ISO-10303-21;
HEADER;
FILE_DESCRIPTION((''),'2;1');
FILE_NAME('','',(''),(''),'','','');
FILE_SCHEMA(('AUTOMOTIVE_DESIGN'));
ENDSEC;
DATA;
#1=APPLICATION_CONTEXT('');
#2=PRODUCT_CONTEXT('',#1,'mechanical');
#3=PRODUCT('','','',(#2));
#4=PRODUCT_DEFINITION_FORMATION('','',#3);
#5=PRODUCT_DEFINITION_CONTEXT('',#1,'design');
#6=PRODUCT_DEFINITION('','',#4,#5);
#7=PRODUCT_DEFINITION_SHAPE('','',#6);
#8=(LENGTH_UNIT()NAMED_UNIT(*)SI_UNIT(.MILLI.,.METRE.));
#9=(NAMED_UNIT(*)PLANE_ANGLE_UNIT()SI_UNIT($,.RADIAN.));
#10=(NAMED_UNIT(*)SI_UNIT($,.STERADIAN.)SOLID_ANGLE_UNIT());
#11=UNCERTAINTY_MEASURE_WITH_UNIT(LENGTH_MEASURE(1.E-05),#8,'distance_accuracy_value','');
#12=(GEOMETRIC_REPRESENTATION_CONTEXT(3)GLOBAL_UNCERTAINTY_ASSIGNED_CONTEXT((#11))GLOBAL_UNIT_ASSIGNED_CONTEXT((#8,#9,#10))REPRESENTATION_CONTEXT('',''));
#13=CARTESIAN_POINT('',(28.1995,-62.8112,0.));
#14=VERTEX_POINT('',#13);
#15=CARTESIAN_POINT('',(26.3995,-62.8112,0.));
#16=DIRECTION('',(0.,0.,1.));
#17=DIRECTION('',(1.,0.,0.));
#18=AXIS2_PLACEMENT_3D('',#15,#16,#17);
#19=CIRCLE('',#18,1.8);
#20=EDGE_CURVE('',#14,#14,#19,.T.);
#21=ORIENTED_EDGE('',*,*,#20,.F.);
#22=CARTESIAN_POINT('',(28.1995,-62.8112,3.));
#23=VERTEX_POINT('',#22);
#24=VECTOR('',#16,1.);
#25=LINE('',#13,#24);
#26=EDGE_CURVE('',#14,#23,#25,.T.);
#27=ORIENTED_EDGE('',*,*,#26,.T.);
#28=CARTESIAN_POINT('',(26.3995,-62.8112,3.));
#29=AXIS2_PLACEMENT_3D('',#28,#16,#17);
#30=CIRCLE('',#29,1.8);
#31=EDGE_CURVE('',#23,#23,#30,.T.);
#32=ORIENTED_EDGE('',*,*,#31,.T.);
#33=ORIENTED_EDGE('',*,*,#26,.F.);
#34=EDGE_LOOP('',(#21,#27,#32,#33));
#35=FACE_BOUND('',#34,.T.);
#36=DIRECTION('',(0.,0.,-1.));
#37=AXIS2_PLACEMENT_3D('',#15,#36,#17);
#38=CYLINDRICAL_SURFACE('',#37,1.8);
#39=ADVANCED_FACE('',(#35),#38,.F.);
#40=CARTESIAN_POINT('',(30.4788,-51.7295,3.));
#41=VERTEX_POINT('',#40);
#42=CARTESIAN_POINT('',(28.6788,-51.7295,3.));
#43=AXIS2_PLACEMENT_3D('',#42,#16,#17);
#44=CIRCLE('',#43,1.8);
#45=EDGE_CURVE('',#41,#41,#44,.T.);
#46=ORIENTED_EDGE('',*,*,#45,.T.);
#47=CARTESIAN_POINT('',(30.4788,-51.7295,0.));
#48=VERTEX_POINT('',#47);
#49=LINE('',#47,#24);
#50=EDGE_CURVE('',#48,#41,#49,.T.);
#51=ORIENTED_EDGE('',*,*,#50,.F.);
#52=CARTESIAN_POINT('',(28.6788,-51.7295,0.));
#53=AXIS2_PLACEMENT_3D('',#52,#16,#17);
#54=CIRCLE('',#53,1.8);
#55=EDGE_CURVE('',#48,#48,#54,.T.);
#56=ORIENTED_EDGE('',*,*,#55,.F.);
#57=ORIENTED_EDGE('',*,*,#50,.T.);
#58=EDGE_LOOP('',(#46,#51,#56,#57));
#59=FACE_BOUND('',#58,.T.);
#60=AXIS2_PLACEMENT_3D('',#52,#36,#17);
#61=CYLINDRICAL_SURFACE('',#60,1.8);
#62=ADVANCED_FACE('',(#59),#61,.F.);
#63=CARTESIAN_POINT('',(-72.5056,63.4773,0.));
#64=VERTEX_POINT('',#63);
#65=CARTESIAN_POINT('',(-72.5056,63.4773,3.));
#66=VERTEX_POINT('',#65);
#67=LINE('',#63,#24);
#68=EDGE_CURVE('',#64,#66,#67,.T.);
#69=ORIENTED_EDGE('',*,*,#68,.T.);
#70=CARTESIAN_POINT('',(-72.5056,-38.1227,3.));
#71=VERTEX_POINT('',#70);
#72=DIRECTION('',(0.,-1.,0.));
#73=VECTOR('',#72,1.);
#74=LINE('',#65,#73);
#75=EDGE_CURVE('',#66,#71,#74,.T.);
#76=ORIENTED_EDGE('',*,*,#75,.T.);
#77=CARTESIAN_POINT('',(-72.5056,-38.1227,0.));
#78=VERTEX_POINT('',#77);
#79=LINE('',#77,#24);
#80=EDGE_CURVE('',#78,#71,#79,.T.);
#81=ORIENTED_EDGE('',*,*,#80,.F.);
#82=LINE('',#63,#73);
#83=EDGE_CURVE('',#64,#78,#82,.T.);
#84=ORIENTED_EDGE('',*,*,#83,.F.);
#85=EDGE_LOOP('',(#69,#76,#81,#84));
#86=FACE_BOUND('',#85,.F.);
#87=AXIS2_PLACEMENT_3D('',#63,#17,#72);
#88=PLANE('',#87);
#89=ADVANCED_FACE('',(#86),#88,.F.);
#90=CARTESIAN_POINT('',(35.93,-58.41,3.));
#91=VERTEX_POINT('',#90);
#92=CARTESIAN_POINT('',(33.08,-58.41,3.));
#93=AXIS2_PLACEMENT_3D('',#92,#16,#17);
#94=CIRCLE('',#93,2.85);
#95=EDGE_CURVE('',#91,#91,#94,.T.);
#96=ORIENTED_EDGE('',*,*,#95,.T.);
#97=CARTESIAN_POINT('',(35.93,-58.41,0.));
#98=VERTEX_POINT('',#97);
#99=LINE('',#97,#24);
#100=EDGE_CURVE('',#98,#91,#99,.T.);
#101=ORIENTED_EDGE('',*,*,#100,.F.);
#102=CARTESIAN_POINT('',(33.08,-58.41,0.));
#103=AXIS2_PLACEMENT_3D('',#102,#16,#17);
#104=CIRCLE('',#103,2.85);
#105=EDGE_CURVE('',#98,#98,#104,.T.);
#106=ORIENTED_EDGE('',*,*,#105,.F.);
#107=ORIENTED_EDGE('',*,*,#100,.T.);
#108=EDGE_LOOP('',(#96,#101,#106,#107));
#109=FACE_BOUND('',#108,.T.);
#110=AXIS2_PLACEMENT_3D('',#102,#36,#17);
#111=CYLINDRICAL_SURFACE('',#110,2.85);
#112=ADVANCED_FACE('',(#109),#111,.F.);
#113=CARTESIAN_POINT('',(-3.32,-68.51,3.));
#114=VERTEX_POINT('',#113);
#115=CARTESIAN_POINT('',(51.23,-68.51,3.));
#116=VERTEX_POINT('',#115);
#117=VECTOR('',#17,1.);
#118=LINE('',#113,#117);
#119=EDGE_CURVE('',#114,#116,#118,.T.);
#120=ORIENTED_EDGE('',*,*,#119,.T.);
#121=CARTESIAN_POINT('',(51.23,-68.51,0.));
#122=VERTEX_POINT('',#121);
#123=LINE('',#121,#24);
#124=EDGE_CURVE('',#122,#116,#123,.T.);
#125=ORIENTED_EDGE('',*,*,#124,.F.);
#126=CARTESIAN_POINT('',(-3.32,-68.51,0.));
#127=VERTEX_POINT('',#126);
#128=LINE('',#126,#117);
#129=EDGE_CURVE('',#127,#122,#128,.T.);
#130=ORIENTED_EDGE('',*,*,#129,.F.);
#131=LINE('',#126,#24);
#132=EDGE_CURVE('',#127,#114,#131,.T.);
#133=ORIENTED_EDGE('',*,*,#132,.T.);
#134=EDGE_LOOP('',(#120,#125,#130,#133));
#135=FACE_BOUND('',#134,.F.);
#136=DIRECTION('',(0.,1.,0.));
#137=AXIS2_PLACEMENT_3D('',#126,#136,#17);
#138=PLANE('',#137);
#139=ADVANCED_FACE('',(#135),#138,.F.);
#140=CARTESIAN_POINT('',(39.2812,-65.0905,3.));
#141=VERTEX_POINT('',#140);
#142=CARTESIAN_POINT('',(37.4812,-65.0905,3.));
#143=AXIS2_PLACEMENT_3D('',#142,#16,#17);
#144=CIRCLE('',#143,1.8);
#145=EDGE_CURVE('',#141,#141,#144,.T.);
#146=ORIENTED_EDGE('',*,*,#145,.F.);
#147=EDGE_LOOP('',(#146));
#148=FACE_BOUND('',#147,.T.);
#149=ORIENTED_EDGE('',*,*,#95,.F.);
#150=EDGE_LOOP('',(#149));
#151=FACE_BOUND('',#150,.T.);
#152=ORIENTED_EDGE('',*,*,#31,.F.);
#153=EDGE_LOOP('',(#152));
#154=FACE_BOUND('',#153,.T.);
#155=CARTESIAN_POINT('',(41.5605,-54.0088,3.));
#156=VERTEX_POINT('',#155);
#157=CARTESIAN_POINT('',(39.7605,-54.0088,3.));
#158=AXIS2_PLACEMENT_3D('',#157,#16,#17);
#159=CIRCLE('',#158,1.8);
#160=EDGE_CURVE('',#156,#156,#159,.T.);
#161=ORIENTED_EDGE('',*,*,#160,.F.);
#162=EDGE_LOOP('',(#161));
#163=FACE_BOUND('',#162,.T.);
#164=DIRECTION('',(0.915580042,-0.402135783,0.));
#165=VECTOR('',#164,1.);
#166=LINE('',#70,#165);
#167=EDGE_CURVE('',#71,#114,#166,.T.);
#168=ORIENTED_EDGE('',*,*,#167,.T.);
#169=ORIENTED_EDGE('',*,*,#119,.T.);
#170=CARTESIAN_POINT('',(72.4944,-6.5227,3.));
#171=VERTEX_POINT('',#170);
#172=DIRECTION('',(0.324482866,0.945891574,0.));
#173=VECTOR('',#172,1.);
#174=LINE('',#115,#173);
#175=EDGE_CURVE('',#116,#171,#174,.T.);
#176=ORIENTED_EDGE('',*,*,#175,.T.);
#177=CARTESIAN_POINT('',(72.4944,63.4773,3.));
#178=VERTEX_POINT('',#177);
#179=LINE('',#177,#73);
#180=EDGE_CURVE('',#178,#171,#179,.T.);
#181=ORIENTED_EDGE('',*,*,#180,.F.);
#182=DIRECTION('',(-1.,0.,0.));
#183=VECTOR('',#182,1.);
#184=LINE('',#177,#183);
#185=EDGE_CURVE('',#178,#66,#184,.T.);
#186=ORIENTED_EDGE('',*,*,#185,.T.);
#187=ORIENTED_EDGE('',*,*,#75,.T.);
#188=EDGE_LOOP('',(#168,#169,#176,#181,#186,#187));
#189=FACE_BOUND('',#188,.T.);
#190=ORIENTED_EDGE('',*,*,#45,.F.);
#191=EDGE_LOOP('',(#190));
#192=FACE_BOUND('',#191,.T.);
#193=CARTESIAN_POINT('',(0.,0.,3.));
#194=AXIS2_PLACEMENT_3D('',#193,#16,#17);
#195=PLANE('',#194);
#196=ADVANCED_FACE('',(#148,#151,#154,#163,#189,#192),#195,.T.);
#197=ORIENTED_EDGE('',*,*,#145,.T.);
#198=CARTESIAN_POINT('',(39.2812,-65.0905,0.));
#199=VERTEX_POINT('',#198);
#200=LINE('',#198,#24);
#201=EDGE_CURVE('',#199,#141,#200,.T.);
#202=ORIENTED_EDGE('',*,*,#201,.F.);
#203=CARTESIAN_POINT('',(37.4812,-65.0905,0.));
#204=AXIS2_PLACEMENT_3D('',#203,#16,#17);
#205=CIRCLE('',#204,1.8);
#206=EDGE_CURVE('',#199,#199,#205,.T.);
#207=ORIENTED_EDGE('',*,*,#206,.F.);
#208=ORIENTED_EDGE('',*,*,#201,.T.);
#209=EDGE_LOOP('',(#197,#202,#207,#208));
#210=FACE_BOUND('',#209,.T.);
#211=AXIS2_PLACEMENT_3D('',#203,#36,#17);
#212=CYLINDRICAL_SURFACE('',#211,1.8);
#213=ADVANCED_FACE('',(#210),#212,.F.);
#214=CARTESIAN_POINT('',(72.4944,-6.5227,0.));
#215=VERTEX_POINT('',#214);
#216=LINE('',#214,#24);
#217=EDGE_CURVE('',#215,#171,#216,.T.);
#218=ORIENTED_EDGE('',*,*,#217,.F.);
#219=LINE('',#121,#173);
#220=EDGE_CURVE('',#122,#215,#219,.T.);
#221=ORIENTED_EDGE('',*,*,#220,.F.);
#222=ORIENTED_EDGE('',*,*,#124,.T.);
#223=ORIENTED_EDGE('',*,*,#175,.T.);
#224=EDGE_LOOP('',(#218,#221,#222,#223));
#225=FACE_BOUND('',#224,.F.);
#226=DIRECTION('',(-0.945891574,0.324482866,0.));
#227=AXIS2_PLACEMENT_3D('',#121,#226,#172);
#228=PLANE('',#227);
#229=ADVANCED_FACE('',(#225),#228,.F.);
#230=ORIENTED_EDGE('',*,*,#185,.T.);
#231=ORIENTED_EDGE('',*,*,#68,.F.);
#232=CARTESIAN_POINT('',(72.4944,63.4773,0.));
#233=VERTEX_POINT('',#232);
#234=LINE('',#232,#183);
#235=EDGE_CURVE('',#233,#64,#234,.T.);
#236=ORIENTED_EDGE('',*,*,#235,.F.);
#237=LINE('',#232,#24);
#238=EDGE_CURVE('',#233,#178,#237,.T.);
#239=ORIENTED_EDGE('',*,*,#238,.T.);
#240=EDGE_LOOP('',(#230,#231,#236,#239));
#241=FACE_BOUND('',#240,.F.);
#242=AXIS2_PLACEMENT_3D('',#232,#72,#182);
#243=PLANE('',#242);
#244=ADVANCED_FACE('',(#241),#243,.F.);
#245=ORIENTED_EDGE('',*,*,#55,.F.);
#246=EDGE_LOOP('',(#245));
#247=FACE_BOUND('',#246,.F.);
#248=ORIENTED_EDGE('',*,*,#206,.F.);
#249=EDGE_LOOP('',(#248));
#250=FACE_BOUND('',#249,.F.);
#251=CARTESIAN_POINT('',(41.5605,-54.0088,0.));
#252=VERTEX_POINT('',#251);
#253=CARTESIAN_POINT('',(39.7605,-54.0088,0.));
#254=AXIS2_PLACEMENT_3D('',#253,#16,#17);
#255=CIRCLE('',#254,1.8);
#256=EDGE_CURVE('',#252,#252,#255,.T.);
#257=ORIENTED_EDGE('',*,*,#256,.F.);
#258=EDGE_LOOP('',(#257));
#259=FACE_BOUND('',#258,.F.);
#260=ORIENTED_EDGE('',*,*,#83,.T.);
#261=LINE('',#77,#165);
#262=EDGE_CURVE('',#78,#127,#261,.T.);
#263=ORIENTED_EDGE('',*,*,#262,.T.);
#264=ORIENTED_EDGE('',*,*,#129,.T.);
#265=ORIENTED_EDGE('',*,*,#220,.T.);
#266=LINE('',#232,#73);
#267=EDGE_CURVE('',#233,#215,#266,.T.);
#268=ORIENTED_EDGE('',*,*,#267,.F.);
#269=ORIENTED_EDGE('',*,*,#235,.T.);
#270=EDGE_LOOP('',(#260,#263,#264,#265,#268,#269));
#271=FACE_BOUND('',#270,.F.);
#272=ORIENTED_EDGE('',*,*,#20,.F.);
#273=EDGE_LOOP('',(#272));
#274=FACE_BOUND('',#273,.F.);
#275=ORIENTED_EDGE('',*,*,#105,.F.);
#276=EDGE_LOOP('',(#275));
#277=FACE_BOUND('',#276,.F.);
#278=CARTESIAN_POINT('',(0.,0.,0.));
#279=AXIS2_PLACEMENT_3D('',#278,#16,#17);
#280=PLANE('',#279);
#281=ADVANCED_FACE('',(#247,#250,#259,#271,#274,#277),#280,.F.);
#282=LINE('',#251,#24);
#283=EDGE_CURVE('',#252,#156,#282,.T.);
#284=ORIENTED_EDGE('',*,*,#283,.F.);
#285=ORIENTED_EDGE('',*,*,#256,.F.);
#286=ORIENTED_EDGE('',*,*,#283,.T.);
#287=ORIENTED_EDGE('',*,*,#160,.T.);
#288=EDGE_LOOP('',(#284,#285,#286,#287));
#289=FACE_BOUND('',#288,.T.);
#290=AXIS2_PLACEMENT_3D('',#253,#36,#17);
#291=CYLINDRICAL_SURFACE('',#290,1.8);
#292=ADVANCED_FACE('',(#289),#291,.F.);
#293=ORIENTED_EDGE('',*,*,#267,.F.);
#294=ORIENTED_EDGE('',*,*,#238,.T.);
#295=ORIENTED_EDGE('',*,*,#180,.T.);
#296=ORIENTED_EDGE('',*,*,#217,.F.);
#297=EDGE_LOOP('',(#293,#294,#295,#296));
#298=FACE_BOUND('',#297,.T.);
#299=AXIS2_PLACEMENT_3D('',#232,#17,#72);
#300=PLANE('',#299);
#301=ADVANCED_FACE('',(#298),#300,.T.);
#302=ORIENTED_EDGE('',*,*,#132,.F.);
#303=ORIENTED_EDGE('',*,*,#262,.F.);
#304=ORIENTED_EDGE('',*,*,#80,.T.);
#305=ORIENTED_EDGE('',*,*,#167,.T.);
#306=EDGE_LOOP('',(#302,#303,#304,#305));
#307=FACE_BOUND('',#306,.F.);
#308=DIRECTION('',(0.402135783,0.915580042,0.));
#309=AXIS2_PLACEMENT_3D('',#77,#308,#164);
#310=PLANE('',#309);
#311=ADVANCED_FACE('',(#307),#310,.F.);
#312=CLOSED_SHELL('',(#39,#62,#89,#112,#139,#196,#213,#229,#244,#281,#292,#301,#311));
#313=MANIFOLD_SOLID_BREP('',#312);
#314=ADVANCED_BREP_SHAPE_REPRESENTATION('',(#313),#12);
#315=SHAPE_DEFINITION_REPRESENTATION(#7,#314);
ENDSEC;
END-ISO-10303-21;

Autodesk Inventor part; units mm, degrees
ref_plane "YZ Plane" through (0, 0, 0) normal (1, 0, 0) x (0, 1, 0)
ref_plane "XZ Plane" through (0, 0, 0) normal (0, 1, 0) x (-1, 0, 0)
ref_plane "XY Plane" through (0, 0, 0) normal (0, 0, 1) x (1, 0, 0)
sketch "Sketch1" plane through (0, 0, 0) normal (0, 0, 1) x (1, 0, 0)
  line L0 (72.4944, 63.4773) -> (-72.5056, 63.4773)
  line L1 (72.4944, 63.4773) -> (-72.5232, -63.5025) construction
  line L2 (-72.5056, 63.4773) -> (72.5218, -63.4915) construction
  circle A0 centre (33.08, -58.41) radius 2.85 projected
  line L3 (-72.5056, -38.1227) -> (-3.32, -68.51)
  line L4 (-72.5056, 63.4773) -> (-72.5056, -38.1227)
  line L5 (72.4944, 63.4773) -> (72.4944, -6.5227)
  line L6 (51.23, -68.51) -> (72.4944, -6.5227)
  line L7 (-3.32, -68.51) -> (51.23, -68.51)
  circle A1 centre (39.7605, -54.0088) radius 1.8 projected
  circle A2 centre (28.6788, -51.7295) radius 1.8 projected
  circle A3 centre (37.4812, -65.0905) radius 1.8 projected
  circle A4 centre (26.3995, -62.8112) radius 1.8 projected
  circle A5 centre (39.7605, -54.0088) radius 1.8 projected
  circle A6 centre (37.4812, -65.0905) radius 1.8 projected
  circle A7 centre (26.3995, -62.8112) radius 1.8 projected
  circle A8 centre (28.6788, -51.7295) radius 1.8 projected
  point P0 (0, 0)
  dimension "d6" = 145
  dimension "d9" = 70
extrude "Extrusion3" add sketch "Sketch1" along normal blind 3
properties part number "Bucket - door 2"
